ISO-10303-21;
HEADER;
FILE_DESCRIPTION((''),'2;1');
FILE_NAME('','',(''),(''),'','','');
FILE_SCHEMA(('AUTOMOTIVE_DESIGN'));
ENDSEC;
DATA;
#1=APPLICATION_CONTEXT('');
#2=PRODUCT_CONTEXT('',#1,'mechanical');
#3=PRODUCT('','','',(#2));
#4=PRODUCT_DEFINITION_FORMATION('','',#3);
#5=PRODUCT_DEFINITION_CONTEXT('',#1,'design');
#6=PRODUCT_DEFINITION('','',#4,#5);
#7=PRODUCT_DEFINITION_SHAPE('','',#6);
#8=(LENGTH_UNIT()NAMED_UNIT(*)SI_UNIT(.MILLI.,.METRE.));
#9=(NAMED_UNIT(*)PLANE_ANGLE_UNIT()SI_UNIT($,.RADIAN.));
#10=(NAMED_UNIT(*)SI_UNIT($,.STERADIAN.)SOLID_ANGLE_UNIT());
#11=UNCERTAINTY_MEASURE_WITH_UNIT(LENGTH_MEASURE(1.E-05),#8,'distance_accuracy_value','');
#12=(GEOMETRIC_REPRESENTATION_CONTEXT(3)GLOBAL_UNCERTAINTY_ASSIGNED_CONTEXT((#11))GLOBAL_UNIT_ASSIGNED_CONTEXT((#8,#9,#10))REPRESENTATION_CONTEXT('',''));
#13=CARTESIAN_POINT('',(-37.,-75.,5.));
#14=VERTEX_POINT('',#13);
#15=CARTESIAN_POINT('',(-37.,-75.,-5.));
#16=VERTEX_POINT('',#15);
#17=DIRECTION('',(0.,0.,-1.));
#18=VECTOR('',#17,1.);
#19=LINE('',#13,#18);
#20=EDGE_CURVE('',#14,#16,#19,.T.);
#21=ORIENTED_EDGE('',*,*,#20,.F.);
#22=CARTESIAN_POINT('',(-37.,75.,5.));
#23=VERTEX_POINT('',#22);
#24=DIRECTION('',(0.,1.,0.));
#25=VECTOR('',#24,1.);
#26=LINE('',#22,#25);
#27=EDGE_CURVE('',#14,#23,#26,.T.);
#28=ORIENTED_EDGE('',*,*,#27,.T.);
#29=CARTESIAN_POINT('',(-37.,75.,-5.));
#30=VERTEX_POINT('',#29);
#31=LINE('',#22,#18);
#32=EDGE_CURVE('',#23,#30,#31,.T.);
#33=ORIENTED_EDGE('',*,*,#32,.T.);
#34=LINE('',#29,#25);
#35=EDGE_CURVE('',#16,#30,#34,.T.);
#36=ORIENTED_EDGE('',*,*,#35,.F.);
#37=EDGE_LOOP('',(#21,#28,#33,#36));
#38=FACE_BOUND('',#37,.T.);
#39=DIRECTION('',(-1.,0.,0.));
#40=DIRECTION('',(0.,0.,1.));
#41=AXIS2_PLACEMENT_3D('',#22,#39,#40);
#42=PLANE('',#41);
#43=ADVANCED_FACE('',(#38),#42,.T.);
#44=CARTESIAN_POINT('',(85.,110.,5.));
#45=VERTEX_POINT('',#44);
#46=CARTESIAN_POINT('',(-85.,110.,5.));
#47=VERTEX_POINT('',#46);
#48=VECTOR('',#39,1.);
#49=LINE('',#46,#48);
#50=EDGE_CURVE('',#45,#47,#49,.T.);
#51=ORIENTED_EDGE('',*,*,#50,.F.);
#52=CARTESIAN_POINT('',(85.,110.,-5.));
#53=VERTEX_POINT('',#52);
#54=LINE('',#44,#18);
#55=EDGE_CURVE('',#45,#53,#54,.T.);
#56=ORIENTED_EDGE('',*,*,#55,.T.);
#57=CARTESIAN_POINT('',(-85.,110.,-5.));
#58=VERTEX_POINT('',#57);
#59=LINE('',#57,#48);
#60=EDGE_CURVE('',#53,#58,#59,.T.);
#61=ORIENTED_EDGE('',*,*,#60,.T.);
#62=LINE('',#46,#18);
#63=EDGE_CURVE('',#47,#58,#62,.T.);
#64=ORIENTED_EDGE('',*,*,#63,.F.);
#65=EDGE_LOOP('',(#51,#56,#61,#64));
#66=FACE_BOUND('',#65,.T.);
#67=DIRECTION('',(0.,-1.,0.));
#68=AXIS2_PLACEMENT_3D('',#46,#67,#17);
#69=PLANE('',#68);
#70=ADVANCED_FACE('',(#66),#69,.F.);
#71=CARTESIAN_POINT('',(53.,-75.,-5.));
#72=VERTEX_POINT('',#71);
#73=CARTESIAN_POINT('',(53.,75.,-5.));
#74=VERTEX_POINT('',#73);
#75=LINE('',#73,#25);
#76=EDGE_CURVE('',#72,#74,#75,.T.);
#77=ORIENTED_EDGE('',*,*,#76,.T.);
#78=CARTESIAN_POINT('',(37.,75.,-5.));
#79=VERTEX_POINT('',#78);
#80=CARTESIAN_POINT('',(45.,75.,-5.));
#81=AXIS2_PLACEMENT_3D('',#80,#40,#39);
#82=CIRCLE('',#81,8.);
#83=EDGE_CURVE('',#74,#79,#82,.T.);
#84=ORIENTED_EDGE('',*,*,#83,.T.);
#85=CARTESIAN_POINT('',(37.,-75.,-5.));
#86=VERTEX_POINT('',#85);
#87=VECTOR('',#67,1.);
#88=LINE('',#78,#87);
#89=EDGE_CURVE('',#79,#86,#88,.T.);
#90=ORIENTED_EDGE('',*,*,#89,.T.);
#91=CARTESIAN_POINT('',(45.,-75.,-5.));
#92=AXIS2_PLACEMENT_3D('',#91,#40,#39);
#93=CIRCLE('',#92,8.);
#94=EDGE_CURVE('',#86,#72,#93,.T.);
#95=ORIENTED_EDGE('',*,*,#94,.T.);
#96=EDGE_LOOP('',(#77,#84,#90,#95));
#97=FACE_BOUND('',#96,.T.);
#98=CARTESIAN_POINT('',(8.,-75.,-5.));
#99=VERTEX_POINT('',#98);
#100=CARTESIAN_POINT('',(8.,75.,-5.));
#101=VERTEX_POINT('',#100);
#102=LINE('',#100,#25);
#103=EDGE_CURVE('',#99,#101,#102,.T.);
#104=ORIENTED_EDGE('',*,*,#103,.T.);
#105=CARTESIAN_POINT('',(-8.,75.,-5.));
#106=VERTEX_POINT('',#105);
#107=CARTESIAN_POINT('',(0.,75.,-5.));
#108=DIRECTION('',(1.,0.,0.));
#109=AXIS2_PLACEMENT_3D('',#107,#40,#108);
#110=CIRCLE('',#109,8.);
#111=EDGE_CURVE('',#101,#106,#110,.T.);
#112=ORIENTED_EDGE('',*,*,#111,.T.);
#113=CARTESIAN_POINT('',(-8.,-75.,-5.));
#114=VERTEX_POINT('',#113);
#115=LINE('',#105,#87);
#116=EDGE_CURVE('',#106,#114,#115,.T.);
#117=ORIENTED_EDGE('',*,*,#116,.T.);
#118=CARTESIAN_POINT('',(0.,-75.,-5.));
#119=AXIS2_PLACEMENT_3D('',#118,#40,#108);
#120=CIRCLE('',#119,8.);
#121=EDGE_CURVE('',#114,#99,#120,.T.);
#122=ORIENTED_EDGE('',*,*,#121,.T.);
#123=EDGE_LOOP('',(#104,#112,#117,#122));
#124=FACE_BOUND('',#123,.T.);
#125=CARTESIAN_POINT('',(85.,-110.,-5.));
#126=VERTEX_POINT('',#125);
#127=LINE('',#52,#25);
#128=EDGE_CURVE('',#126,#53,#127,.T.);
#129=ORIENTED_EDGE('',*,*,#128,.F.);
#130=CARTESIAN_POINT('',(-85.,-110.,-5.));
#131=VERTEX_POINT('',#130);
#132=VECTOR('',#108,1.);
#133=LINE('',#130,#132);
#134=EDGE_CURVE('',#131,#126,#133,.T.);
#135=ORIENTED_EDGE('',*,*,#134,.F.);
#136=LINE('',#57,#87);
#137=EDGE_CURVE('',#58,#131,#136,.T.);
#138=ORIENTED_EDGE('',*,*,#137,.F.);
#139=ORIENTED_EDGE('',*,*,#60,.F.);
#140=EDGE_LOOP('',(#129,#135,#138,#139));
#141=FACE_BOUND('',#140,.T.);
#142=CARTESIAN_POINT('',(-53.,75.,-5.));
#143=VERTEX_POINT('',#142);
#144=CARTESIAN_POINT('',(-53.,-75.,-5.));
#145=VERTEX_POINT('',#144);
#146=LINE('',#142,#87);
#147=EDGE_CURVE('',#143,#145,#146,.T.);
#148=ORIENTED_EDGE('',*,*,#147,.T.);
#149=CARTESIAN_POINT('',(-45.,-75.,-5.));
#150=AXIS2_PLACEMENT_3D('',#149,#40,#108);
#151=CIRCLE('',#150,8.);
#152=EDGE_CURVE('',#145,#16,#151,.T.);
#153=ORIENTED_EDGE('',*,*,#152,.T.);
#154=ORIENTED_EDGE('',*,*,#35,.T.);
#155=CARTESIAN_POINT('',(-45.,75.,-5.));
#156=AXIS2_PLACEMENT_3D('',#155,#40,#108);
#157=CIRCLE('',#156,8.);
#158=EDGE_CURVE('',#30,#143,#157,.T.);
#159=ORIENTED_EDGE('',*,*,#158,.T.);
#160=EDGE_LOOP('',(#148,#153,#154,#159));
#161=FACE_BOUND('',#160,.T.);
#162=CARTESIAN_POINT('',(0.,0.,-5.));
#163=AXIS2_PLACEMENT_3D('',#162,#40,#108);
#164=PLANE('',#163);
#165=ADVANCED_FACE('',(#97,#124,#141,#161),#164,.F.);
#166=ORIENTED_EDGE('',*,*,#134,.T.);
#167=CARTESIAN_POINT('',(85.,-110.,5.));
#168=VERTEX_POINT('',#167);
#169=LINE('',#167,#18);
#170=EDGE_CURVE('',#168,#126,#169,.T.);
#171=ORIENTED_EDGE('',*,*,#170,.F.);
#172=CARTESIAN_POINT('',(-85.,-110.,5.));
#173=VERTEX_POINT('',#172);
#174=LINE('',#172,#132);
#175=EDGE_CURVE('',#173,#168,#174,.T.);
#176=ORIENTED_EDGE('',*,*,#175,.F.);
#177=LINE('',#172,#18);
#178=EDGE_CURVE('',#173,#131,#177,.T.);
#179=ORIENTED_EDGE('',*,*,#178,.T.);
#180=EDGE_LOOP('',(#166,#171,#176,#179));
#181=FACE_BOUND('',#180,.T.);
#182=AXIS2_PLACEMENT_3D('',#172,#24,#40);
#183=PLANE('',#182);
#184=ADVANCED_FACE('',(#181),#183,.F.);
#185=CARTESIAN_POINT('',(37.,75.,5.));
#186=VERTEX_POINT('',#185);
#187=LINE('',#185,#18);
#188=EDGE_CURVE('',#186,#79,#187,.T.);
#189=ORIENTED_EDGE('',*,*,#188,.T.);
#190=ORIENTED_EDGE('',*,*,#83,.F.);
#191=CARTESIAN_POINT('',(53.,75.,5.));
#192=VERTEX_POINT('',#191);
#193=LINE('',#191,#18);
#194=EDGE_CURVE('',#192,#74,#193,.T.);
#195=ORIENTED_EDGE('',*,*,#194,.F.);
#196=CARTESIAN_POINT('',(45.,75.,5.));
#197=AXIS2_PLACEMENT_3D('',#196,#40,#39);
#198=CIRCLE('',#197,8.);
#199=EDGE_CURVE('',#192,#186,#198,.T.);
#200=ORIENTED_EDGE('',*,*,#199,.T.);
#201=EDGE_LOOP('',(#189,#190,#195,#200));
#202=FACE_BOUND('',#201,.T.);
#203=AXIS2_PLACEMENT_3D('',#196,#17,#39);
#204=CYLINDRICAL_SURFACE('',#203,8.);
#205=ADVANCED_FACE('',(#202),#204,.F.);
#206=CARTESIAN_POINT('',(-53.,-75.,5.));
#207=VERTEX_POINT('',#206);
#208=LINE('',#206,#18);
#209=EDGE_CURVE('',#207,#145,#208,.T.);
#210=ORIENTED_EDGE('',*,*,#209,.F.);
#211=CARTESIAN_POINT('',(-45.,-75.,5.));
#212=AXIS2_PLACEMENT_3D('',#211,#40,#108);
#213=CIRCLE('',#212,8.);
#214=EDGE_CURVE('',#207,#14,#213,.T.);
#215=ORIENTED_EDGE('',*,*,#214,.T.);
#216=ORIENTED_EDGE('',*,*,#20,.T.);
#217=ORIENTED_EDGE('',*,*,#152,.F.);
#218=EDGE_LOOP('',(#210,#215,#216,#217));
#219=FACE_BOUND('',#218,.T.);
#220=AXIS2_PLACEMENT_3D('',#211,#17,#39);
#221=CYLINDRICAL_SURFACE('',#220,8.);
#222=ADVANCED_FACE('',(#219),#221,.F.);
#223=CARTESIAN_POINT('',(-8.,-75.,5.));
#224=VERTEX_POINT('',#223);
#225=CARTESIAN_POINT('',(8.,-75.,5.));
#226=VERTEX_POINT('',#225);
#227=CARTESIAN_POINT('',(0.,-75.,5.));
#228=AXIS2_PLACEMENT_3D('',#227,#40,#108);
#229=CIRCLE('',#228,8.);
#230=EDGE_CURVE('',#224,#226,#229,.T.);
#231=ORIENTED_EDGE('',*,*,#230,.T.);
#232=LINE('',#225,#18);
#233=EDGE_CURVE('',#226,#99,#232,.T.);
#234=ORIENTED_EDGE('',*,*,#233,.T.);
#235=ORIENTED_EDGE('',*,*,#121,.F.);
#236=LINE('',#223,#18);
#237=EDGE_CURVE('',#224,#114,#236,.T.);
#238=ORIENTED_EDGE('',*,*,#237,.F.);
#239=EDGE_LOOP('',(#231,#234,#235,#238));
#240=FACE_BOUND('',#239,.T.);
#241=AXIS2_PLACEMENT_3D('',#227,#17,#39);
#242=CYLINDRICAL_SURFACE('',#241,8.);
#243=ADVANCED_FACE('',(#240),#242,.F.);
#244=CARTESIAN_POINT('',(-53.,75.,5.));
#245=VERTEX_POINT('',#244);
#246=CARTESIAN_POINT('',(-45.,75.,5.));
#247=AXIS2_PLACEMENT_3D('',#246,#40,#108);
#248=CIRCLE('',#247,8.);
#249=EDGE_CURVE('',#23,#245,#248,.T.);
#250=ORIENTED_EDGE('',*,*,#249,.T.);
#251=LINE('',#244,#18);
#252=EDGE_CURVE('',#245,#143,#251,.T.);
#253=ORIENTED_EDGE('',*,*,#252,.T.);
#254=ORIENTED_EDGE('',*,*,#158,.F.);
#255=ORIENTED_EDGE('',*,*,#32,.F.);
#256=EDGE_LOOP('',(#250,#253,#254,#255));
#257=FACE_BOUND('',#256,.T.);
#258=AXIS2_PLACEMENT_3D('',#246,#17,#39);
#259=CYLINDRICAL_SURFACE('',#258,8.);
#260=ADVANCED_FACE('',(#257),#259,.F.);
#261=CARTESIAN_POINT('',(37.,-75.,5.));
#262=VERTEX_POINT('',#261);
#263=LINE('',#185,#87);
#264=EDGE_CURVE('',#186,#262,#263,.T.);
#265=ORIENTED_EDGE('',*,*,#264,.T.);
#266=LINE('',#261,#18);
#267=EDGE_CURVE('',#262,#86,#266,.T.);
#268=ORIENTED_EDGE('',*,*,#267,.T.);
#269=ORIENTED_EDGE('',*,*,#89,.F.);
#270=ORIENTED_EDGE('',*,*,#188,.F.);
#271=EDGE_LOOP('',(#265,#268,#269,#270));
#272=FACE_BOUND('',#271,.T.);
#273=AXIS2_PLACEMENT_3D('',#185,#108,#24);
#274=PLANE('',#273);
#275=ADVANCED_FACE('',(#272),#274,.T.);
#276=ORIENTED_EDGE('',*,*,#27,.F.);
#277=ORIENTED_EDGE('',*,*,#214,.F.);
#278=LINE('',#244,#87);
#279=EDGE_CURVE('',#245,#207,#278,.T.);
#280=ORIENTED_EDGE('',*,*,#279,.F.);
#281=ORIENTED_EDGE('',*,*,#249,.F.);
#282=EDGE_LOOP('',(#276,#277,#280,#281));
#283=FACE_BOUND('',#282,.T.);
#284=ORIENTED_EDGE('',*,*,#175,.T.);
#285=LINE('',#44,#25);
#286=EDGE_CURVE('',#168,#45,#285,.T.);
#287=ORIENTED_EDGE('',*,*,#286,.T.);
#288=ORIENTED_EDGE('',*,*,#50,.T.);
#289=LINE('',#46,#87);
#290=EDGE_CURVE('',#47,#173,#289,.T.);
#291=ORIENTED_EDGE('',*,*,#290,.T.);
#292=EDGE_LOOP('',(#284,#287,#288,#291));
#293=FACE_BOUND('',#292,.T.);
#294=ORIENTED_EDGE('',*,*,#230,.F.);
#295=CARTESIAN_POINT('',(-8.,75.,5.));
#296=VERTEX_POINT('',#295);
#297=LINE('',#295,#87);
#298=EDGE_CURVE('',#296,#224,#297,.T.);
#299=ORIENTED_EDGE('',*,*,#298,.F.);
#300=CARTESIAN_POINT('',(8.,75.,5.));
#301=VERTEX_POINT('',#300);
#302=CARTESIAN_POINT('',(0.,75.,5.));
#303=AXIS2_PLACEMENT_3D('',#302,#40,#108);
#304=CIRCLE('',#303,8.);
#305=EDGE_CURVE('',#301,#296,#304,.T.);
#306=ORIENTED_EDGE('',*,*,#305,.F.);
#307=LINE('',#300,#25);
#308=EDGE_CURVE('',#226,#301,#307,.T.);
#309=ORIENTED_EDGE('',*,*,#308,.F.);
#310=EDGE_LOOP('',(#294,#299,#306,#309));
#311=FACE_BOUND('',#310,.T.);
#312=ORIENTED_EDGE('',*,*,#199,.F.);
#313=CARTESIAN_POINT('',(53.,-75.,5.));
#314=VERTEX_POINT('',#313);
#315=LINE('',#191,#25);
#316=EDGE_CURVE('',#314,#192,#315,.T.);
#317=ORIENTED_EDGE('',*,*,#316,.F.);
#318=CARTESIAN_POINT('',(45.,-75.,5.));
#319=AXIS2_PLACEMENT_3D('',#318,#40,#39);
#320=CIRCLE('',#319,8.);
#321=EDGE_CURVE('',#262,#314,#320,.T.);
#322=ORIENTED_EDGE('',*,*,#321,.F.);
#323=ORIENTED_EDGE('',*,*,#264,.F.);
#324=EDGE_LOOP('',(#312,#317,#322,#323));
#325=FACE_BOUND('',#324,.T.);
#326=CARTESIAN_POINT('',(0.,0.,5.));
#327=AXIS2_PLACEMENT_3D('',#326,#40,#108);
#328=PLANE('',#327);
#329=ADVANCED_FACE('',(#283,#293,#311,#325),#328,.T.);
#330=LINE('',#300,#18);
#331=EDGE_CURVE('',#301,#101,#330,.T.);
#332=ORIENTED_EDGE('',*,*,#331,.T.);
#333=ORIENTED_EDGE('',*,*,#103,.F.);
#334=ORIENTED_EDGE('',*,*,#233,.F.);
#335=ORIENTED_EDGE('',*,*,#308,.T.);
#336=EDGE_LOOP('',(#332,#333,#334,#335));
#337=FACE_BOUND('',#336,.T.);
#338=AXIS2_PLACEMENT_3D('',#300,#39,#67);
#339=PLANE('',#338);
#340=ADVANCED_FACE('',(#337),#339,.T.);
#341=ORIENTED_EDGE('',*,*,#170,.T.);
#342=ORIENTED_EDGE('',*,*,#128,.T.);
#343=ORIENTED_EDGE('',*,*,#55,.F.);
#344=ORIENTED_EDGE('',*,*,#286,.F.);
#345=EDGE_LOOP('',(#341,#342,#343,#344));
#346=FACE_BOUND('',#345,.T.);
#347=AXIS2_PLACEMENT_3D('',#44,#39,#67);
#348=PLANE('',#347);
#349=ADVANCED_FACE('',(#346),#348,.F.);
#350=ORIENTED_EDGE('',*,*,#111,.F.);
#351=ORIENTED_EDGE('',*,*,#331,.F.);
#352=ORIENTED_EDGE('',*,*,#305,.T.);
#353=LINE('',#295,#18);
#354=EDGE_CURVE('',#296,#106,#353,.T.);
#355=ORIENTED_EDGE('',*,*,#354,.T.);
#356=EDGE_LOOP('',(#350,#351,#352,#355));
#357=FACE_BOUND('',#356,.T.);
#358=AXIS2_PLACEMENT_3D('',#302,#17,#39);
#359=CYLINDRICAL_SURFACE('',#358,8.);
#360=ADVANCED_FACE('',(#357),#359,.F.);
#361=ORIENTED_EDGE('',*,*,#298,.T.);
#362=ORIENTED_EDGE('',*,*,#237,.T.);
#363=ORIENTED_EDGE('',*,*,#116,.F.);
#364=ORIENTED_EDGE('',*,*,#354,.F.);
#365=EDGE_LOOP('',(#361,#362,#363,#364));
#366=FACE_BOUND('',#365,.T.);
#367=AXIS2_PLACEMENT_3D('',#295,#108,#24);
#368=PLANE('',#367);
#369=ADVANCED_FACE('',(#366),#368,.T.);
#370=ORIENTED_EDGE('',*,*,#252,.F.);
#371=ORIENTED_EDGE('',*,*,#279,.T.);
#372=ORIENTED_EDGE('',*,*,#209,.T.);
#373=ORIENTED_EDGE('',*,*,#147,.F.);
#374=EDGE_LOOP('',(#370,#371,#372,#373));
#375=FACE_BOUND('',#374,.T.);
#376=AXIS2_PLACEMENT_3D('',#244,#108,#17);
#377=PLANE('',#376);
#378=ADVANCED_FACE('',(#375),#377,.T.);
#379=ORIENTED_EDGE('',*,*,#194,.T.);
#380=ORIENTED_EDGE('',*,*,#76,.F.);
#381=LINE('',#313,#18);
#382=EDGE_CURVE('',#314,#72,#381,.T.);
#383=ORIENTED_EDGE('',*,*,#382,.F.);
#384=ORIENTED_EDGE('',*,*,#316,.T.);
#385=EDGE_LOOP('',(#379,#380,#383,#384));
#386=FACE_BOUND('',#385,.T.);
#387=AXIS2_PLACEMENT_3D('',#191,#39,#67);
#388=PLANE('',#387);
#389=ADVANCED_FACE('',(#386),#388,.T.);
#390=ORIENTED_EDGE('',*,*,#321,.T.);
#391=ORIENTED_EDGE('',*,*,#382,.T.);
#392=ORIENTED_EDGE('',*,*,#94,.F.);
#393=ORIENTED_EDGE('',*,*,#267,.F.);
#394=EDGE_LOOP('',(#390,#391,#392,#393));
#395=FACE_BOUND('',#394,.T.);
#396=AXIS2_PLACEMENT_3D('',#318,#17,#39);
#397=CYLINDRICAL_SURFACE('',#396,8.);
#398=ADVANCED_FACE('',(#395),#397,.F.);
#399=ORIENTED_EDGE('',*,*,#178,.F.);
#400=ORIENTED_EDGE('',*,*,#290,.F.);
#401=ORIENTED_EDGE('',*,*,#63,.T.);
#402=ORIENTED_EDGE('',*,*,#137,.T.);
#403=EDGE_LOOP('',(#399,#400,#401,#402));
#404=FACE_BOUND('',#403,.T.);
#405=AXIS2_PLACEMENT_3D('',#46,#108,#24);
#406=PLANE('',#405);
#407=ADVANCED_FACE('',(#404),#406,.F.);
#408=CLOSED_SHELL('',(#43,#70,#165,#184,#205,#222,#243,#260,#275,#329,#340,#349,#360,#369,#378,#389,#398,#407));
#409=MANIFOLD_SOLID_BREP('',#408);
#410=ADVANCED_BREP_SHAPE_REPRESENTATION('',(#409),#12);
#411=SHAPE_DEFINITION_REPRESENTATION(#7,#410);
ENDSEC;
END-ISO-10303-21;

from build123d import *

# Parameters (mm, degrees)
SKETCH3_W           = 170
SKETCH3_H           = 220
BOSS_EXTRUDE1_DEPTH = 5


with BuildPart() as part:
    # Sketch3 → Boss-Extrude1 (new, symmetric)
    with BuildSketch(Plane.XY):
        Rectangle(SKETCH3_W, SKETCH3_H)
        with BuildLine():
            Line((8, 75), (8, -75))
            ThreePointArc((8, -75), (0, -83), (-8, -75))
            Line((-8, -75), (-8, 75))
            ThreePointArc((-8, 75), (0, 83), (8, 75))
        make_face(mode=Mode.SUBTRACT)
        with BuildLine():
            Line((-37, 75), (-37, -75))
            ThreePointArc((-37, -75), (-45, -83), (-53, -75))
            Line((-53, -75), (-53, 75))
            ThreePointArc((-53, 75), (-45, 83), (-37, 75))
        make_face(mode=Mode.SUBTRACT)
        with BuildLine():
            Line((37, 75), (37, -75))
            ThreePointArc((37, -75), (45, -83), (53, -75))
            Line((53, -75), (53, 75))
            ThreePointArc((53, 75), (45, 83), (37, 75))
        make_face(mode=Mode.SUBTRACT)
    extrude(amount=BOSS_EXTRUDE1_DEPTH, both=True)


solid = part.part
